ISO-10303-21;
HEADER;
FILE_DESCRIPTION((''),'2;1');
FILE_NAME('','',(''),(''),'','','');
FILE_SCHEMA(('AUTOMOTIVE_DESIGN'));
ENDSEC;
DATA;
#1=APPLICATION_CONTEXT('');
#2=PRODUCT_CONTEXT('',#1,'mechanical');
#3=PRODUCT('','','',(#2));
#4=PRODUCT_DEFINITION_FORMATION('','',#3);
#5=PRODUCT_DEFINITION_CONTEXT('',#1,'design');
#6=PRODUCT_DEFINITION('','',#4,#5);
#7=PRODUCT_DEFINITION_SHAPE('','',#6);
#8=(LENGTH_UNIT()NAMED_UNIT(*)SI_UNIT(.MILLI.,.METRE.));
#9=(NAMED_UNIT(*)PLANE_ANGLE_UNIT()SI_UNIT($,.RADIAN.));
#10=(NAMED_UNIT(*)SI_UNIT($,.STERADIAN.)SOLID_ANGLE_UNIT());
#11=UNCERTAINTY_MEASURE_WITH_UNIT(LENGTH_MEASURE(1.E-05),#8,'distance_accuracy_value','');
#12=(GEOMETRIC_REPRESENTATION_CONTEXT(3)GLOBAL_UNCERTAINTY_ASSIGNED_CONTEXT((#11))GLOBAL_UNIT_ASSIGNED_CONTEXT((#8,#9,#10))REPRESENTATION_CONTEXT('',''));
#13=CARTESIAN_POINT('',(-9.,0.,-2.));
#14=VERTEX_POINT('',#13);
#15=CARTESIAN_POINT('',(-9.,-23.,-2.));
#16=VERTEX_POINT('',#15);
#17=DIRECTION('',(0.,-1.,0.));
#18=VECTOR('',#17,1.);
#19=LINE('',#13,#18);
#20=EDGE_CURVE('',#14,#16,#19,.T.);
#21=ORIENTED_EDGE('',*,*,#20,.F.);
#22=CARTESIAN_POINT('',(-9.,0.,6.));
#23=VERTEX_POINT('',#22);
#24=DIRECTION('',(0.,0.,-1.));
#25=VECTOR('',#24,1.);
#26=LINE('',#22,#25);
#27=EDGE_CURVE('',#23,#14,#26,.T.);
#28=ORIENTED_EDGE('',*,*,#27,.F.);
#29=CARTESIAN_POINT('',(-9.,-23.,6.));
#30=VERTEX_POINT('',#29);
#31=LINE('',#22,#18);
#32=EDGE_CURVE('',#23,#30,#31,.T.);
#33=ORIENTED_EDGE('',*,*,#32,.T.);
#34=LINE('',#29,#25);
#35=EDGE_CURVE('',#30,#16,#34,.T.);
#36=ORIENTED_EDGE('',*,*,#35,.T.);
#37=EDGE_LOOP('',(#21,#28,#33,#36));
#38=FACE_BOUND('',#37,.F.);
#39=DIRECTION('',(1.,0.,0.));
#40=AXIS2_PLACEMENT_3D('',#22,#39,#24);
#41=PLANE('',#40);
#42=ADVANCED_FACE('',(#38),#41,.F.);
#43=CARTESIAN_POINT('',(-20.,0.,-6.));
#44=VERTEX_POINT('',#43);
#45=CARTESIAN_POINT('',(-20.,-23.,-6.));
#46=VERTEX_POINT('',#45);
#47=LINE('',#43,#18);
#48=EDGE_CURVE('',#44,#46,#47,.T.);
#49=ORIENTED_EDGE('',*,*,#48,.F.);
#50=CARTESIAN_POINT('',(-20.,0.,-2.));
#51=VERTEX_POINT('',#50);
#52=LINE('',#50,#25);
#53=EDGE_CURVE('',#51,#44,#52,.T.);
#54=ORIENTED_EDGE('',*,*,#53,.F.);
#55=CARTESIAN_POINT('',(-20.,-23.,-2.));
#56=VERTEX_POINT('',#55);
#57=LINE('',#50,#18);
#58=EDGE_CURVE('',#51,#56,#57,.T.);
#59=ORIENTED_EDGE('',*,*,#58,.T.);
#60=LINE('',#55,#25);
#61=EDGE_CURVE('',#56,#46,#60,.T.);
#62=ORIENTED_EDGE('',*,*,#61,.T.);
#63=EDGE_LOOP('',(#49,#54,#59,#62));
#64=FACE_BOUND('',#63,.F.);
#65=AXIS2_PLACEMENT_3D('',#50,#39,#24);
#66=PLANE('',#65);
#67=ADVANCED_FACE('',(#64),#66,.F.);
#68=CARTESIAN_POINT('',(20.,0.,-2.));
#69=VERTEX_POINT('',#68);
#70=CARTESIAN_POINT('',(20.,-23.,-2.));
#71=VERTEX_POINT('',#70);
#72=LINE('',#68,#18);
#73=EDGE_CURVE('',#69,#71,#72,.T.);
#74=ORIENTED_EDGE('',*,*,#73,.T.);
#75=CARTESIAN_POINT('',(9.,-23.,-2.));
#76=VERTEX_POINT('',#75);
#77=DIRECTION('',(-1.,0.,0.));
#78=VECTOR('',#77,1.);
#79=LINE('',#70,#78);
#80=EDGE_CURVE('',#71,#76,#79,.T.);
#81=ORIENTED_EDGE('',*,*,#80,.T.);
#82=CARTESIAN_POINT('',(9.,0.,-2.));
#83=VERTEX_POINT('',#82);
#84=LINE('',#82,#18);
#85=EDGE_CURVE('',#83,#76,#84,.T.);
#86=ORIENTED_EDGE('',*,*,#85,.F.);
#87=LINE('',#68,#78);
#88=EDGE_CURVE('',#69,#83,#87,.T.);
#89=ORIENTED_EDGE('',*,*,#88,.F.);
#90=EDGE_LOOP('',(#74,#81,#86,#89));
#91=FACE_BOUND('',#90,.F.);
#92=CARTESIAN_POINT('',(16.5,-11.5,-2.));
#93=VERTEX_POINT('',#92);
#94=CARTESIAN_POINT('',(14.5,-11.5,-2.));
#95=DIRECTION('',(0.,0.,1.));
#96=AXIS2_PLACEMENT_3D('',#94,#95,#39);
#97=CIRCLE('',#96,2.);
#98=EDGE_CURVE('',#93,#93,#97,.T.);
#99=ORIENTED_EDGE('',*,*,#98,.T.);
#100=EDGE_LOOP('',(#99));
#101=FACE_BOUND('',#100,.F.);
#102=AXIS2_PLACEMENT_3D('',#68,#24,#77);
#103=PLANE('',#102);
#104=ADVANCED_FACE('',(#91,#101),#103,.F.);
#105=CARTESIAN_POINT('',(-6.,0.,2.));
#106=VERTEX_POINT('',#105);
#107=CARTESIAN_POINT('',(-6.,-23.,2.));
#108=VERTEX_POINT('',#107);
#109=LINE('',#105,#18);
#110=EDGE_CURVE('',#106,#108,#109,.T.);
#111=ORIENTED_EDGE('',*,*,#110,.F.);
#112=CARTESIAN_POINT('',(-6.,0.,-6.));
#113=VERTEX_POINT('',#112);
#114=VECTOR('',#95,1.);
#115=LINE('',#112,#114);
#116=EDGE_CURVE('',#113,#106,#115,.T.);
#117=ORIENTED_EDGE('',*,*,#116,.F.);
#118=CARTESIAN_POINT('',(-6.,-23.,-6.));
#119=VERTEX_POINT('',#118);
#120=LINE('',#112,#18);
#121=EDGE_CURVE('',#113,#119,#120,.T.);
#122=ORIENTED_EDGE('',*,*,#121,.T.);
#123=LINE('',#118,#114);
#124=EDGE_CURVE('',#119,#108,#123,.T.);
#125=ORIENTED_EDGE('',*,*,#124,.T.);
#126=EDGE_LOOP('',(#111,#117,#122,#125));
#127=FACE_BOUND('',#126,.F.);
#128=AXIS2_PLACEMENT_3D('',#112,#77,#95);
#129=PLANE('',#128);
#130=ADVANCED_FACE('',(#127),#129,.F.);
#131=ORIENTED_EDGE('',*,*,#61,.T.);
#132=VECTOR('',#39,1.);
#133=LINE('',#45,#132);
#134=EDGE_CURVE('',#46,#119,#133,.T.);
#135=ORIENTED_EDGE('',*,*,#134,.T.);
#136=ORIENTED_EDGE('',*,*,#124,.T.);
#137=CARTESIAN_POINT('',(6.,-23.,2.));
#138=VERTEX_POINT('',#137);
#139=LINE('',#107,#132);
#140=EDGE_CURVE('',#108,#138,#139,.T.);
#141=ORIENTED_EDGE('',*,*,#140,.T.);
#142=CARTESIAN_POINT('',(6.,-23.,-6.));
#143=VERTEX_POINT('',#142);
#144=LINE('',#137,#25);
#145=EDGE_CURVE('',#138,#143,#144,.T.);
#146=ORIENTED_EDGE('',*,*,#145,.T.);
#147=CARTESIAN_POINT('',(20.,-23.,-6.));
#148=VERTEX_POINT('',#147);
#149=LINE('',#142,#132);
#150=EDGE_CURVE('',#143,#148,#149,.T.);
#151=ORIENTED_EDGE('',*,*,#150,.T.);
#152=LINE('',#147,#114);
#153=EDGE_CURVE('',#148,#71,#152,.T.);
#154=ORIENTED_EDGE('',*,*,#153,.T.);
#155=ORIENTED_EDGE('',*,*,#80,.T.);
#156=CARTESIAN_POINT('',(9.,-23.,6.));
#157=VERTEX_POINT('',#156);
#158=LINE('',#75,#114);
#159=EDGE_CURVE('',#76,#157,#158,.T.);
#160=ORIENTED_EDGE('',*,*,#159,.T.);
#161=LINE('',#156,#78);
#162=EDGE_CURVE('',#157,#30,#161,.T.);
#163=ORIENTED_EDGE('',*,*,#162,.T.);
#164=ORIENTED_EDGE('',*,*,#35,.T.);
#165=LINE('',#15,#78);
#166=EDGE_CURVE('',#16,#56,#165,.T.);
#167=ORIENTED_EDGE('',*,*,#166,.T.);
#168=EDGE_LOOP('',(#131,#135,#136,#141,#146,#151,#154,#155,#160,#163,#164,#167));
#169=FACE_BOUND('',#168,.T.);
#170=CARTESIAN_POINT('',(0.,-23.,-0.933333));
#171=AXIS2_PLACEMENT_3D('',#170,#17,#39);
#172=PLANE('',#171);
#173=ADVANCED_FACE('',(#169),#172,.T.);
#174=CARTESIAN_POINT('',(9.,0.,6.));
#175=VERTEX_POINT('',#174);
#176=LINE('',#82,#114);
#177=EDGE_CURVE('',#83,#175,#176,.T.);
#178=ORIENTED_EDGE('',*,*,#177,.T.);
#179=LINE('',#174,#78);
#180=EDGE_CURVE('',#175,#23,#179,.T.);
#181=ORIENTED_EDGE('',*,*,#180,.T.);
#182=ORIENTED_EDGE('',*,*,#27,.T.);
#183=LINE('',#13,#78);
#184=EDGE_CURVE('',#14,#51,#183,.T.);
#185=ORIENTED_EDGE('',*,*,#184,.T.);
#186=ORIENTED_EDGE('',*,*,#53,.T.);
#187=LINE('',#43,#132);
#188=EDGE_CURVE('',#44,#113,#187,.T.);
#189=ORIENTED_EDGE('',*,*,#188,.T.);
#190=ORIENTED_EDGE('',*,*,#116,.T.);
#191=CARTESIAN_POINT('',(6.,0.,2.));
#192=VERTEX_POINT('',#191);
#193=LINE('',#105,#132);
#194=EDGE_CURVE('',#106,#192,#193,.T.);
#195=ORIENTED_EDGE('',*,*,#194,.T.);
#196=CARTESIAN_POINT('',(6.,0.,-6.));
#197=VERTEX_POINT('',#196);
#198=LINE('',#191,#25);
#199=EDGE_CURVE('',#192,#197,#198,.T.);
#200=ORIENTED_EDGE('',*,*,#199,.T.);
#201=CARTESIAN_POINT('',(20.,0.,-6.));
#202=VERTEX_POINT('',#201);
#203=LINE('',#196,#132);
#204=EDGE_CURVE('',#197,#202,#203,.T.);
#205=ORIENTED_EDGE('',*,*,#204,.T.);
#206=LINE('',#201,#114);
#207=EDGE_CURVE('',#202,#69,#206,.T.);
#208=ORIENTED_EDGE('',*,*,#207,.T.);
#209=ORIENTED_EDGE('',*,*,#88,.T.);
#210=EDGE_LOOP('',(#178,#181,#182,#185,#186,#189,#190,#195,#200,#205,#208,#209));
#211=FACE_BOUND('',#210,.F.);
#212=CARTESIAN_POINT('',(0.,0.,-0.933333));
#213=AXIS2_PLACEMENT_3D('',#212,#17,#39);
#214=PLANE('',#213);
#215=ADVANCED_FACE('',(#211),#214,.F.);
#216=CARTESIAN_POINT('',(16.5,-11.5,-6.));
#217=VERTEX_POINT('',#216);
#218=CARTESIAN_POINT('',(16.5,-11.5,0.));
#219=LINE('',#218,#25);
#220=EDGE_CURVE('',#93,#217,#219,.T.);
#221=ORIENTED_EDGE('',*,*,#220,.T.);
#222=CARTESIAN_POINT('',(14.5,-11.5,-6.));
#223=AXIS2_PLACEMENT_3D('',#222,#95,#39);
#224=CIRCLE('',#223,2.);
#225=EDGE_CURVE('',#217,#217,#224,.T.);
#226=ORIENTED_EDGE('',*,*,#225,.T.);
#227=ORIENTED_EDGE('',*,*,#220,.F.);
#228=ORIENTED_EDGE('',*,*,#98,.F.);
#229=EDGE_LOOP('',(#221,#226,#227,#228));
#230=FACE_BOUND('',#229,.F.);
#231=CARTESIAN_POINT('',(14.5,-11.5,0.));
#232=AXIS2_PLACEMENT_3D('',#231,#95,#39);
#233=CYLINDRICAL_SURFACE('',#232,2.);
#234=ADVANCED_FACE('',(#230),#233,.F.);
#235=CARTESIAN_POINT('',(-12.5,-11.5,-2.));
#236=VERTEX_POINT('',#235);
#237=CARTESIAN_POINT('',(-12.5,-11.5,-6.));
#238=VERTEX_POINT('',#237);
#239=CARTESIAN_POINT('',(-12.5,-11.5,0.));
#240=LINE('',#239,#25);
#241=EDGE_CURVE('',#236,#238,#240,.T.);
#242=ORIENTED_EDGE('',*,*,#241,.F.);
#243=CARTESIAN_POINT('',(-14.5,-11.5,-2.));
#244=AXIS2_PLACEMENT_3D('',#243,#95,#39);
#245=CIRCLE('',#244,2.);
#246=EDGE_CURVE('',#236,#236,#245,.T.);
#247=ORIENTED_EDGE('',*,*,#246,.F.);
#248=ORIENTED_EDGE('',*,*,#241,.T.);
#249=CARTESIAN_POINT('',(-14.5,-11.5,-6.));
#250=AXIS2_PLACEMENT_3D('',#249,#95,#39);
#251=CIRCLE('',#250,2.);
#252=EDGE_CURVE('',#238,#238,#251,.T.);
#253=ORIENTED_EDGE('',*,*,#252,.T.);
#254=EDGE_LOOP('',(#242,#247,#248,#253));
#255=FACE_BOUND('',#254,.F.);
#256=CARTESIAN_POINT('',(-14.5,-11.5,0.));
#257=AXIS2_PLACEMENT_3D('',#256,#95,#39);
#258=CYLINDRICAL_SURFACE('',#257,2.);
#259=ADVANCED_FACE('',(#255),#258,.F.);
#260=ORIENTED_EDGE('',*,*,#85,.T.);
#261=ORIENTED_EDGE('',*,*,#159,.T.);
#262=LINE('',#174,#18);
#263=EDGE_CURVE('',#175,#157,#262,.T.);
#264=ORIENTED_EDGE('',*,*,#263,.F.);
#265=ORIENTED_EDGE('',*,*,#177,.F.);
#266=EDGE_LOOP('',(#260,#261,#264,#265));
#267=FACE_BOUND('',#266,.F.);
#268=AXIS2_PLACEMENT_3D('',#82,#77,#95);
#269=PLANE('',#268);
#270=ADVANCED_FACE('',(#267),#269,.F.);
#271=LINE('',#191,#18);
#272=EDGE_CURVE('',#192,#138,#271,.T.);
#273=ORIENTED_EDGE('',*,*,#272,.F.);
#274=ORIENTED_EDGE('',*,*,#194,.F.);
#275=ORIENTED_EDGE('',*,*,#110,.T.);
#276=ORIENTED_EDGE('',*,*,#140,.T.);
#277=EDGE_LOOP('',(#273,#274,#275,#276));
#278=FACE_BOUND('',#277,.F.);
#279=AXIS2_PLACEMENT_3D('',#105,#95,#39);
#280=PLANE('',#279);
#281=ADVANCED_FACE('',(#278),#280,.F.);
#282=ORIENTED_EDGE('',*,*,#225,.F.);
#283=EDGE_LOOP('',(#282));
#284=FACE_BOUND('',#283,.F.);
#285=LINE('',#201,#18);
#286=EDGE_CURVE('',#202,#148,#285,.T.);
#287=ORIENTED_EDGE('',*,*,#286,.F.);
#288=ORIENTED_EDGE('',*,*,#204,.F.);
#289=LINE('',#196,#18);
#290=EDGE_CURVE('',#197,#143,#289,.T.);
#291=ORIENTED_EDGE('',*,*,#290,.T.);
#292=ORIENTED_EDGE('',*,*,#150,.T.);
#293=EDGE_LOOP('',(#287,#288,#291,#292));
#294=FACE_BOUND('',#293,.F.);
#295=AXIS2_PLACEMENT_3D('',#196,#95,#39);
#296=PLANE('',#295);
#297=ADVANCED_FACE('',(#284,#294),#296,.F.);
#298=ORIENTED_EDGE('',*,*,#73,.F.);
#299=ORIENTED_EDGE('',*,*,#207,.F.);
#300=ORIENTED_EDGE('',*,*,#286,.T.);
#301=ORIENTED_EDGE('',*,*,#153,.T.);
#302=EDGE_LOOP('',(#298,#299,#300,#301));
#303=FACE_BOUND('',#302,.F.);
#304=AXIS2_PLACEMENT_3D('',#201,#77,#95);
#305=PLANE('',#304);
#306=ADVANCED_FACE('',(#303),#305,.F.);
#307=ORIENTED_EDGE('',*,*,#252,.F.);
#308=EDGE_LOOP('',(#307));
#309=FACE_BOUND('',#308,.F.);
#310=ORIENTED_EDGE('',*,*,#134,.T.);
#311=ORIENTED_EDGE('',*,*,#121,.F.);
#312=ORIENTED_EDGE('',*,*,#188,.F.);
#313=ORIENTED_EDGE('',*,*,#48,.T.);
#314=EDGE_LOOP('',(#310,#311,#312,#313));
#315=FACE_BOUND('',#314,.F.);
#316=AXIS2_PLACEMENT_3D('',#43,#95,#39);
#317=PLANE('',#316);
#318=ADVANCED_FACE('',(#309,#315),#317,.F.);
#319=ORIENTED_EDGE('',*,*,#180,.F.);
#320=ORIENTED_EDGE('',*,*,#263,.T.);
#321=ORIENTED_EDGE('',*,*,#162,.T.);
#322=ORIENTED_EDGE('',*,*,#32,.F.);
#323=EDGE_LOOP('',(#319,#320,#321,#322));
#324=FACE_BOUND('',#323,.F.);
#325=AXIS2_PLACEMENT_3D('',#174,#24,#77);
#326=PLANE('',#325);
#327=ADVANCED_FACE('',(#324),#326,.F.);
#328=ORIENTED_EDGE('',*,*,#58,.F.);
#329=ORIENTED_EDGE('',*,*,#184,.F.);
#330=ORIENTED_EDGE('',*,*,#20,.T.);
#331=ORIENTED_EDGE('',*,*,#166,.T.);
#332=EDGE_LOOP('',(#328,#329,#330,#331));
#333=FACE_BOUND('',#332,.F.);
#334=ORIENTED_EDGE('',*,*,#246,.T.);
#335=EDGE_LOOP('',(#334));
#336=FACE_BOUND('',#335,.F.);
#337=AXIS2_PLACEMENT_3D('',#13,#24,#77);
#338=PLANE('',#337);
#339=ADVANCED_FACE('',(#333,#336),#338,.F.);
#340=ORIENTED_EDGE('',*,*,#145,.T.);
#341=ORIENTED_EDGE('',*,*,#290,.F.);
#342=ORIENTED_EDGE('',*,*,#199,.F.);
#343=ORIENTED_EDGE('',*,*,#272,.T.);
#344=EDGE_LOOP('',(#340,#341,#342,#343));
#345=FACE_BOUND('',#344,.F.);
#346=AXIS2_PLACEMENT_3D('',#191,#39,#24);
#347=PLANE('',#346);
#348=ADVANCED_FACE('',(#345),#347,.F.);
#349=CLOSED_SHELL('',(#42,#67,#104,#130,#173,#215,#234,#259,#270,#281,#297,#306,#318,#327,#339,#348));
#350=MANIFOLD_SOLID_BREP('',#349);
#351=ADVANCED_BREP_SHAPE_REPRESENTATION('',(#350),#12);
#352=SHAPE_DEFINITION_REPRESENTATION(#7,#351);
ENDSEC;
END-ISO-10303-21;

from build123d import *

# Parameters (mm, degrees)
F1_DEPTH = 23
F2_R     = 2
F3_DEPTH = 25


with BuildPart() as f1:
    # F0 (on Front) → F1 (new body)
    with BuildSketch(Plane.XZ):
        Polygon((20, -6), (20, -2), (9, -2), (9, 6), (8, 6), (-8, 6), (-9, 6), (-9, -2), (-20, -2), (-20, -6), (-6, -6), (-6, 0), (-6, 2), (6, 2), (6, 0), (6, -6), align=None)
    extrude(amount=F1_DEPTH)

    # F2 (on Top) → F3 (cut)
    with BuildSketch(Plane.XY):
        with Locations((-14.5, -11.5)):
            Circle(F2_R)
        with Locations((14.5, -11.5)):
            Circle(F2_R)
    extrude(amount=-F3_DEPTH, mode=Mode.SUBTRACT)


solid = f1.part
